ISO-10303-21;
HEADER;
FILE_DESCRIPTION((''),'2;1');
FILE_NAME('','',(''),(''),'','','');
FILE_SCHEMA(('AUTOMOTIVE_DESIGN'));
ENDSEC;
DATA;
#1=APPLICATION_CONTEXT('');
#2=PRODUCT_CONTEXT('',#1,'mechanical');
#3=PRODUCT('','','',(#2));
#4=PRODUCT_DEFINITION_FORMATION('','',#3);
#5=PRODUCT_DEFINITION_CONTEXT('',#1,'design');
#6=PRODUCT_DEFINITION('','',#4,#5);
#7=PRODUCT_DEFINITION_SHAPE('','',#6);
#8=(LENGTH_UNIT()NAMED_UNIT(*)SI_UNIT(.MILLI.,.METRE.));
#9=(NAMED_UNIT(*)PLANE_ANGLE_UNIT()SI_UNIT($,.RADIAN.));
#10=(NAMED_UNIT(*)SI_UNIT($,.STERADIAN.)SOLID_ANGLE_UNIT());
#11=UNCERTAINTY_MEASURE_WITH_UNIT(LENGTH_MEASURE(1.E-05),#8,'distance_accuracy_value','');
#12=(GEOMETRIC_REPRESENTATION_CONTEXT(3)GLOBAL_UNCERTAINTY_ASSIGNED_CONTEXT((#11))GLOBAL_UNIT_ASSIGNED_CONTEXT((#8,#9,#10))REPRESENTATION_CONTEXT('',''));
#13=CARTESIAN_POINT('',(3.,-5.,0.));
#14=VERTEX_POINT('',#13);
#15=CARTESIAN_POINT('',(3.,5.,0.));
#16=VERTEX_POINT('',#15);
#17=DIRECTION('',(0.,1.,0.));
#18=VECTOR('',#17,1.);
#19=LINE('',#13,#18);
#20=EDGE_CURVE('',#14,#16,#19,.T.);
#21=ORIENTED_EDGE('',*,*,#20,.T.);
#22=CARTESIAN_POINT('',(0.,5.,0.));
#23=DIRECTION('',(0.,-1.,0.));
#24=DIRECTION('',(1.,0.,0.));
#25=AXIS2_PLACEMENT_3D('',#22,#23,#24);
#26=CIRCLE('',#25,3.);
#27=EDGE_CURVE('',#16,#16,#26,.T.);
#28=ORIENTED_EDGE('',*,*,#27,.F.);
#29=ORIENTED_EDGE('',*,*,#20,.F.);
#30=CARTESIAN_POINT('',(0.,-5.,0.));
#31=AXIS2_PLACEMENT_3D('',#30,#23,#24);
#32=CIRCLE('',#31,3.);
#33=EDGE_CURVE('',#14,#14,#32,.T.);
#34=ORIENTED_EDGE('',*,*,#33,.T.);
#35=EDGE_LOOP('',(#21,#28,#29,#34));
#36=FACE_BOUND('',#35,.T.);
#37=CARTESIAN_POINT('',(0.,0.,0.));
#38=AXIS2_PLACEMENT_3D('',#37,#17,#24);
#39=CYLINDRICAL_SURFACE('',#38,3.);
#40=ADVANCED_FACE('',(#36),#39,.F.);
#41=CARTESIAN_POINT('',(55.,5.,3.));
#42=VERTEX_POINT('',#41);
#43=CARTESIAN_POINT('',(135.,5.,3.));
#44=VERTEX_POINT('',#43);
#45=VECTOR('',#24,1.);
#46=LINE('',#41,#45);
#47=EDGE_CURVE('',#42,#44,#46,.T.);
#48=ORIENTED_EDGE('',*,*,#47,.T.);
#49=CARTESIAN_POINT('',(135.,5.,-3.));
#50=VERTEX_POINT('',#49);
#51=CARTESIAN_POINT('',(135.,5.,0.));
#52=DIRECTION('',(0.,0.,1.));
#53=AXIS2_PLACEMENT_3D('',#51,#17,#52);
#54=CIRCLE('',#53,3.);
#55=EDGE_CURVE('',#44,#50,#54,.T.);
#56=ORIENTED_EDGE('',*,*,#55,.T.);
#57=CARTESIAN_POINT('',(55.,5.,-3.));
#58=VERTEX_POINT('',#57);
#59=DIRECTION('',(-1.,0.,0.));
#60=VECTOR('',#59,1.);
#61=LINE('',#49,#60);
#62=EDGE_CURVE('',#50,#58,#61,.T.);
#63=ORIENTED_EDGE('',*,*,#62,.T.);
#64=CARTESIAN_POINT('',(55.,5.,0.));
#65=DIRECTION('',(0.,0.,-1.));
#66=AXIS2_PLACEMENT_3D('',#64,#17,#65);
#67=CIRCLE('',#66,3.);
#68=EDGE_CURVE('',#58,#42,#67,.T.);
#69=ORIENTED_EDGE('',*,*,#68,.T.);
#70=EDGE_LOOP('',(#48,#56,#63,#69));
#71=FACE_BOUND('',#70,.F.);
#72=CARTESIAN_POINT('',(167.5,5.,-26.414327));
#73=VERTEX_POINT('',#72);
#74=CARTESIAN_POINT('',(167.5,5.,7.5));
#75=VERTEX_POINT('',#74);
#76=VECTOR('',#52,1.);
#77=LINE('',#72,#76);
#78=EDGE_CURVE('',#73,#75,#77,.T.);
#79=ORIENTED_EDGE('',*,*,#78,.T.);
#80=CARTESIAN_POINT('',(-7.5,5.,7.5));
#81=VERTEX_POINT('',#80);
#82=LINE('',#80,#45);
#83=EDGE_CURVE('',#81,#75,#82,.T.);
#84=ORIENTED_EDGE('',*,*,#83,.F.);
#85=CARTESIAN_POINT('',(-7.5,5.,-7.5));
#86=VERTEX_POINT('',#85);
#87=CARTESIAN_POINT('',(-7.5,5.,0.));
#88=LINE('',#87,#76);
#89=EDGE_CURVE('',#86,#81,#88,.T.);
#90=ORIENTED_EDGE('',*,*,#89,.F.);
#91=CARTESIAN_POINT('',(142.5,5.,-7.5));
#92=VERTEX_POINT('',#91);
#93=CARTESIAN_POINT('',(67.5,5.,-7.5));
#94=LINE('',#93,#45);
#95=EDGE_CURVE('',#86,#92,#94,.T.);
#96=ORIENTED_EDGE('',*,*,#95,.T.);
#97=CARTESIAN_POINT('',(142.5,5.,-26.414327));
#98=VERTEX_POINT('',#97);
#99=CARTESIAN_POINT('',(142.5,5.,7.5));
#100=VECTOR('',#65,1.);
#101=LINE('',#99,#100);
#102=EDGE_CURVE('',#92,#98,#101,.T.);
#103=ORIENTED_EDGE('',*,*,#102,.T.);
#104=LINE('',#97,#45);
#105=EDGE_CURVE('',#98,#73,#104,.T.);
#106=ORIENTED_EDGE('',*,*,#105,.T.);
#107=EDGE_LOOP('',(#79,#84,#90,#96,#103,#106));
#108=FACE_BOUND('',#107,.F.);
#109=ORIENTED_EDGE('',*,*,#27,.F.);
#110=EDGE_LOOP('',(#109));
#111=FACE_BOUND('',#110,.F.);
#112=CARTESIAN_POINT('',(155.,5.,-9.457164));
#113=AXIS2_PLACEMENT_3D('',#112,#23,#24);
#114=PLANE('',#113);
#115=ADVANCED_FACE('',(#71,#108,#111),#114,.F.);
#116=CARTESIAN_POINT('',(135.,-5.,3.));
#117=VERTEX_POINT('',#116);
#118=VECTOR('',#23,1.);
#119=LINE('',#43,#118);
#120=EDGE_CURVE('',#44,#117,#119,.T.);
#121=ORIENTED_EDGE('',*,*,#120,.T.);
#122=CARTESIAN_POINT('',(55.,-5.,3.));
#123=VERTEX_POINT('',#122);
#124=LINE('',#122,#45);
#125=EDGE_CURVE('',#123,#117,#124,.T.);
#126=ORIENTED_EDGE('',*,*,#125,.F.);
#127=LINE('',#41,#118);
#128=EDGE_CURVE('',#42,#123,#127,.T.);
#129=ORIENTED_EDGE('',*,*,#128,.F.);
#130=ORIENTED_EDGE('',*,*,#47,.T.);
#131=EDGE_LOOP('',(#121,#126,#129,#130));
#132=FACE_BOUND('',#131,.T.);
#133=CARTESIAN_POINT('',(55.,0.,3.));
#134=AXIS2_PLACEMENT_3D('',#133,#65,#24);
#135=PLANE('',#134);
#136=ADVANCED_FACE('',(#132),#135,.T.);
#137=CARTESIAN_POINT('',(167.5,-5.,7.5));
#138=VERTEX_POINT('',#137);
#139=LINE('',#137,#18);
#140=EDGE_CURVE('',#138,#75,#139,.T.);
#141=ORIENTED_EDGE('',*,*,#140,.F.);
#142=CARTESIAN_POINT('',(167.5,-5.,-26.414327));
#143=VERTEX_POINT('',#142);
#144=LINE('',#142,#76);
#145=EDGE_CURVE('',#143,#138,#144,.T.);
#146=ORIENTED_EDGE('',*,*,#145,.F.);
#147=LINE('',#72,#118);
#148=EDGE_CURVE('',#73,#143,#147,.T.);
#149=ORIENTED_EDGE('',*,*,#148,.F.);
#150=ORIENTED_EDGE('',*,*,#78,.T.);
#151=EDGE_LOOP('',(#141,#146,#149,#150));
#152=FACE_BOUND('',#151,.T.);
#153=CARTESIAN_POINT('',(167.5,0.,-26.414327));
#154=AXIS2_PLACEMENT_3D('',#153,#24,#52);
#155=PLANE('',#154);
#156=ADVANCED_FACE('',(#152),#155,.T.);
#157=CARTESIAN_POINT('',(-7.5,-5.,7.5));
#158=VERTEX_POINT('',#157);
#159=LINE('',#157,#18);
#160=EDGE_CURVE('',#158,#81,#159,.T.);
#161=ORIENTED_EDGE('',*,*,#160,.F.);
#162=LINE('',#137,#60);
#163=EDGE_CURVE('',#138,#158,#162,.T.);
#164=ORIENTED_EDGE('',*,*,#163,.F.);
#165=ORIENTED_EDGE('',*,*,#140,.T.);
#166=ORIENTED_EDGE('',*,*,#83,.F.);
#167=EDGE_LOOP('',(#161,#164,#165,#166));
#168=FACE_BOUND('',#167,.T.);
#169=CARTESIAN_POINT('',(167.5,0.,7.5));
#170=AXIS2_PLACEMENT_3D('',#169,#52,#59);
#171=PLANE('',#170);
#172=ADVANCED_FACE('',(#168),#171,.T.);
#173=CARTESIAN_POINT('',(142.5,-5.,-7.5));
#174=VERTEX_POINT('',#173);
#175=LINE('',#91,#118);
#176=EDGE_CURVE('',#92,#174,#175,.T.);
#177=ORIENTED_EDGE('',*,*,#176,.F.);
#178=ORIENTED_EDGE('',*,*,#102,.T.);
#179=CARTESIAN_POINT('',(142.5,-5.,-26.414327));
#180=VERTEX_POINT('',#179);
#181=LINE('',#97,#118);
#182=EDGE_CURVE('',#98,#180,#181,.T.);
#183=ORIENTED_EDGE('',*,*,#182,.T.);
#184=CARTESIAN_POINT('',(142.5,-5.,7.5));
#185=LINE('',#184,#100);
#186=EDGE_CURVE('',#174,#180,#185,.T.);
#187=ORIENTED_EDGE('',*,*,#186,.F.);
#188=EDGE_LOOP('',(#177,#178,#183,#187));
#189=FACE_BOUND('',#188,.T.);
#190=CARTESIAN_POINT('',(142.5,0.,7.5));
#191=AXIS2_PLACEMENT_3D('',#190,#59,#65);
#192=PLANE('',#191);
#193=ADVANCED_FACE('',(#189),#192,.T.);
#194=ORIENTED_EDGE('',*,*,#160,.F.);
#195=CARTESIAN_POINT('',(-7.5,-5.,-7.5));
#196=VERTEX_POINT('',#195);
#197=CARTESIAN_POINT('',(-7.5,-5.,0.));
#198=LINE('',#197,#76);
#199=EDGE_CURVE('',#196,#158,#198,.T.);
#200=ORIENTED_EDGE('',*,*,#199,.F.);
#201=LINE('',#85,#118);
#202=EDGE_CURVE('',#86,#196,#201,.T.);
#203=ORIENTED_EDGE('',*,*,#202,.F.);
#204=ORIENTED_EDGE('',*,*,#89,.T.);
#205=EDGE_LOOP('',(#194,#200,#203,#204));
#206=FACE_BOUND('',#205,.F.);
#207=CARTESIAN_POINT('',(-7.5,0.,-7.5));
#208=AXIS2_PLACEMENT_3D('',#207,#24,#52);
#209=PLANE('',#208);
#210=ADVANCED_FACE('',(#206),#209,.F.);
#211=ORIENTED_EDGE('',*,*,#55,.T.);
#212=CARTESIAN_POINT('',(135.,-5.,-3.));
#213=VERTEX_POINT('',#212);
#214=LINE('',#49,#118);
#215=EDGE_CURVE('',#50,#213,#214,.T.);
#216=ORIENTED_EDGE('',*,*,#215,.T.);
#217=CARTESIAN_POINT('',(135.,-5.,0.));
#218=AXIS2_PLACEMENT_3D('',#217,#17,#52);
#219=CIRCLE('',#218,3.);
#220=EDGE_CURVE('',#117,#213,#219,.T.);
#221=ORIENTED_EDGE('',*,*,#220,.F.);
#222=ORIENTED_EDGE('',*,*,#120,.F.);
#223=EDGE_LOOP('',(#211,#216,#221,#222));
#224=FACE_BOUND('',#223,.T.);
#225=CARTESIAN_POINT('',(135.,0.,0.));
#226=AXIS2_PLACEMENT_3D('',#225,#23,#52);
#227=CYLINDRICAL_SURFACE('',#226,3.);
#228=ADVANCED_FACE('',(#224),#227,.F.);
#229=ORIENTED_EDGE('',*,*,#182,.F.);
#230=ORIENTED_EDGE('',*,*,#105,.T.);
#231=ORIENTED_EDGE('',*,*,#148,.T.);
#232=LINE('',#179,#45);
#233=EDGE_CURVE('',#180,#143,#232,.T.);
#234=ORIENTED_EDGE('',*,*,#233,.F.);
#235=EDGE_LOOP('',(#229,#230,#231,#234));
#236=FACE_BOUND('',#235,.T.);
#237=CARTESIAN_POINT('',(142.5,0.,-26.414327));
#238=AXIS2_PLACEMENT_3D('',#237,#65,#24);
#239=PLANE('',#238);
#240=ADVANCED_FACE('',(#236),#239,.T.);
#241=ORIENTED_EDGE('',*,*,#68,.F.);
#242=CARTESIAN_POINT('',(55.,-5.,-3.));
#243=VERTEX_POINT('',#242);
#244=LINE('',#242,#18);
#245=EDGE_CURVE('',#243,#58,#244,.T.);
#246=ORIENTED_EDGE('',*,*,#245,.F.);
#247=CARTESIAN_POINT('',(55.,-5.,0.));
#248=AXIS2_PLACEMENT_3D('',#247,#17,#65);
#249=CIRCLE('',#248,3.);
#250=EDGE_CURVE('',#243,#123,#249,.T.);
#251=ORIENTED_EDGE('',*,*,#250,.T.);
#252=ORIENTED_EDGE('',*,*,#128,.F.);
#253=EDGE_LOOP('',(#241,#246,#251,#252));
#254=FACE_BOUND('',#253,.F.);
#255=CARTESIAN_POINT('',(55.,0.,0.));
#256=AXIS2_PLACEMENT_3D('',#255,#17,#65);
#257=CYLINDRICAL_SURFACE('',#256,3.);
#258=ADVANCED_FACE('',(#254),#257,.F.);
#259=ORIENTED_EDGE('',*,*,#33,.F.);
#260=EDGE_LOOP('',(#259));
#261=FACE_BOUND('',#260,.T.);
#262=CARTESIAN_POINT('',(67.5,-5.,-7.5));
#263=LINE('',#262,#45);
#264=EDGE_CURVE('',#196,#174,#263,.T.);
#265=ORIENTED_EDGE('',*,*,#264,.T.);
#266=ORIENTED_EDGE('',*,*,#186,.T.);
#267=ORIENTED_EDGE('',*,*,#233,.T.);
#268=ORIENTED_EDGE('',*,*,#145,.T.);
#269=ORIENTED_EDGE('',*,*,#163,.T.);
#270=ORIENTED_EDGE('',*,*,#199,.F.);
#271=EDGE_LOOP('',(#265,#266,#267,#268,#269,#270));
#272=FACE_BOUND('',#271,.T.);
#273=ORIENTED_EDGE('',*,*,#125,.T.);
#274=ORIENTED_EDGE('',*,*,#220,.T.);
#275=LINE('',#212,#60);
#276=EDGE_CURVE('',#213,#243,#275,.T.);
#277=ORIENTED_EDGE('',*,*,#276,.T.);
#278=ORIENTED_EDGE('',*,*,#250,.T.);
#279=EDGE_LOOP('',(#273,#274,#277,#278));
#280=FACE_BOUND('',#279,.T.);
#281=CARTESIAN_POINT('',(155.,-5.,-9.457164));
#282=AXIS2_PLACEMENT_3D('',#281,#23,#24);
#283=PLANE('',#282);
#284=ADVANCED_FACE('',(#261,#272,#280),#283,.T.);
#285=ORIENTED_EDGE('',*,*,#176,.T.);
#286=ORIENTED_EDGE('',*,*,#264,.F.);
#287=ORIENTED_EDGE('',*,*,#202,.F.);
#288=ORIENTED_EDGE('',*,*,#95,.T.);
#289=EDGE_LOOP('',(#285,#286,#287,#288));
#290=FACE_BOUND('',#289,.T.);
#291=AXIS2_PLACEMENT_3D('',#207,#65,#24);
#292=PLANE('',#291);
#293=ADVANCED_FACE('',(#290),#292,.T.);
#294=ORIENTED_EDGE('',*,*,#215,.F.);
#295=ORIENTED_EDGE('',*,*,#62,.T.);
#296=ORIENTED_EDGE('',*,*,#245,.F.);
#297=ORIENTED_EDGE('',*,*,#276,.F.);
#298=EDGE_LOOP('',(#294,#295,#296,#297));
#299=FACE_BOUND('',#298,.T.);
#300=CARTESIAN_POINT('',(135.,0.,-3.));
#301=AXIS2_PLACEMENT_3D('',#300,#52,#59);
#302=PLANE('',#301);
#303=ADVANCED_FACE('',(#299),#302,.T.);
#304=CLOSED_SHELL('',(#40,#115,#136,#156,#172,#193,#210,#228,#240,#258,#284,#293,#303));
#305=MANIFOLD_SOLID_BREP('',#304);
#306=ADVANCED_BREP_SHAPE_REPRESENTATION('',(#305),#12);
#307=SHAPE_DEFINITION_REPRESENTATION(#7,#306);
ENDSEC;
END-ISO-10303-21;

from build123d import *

# Parameters (mm, degrees)
F0_W     = 150
F0_H     = 15
F0_R     = 3
F1_DEPTH = 5
F3_DEPTH = 5


with BuildPart() as f1:
    # F0 (on Front) → F1 (new body, symmetric)
    with BuildSketch(Plane.XZ):
        with Locations((67.5, 0)):
            Rectangle(F0_W, F0_H)
        Circle(F0_R, mode=Mode.SUBTRACT)
        with BuildLine():
            ThreePointArc((55, -3), (52, 0), (55, 3))
            Line((55, 3), (135, 3))
            ThreePointArc((135, 3), (138, 0), (135, -3))
            Line((135, -3), (55, -3))
        make_face(mode=Mode.SUBTRACT)
    extrude(amount=F1_DEPTH, both=True)

    # F2 (on Front) → F3 (join, symmetric)
    with BuildSketch(Plane.XZ):
        Polygon((142.5, 7.5), (142.5, -7.5), (142.5, -26.4143273234), (167.5, -26.4143273234), (167.5, 7.5), align=None)
    extrude(amount=F3_DEPTH, both=True)


solid = f1.part
